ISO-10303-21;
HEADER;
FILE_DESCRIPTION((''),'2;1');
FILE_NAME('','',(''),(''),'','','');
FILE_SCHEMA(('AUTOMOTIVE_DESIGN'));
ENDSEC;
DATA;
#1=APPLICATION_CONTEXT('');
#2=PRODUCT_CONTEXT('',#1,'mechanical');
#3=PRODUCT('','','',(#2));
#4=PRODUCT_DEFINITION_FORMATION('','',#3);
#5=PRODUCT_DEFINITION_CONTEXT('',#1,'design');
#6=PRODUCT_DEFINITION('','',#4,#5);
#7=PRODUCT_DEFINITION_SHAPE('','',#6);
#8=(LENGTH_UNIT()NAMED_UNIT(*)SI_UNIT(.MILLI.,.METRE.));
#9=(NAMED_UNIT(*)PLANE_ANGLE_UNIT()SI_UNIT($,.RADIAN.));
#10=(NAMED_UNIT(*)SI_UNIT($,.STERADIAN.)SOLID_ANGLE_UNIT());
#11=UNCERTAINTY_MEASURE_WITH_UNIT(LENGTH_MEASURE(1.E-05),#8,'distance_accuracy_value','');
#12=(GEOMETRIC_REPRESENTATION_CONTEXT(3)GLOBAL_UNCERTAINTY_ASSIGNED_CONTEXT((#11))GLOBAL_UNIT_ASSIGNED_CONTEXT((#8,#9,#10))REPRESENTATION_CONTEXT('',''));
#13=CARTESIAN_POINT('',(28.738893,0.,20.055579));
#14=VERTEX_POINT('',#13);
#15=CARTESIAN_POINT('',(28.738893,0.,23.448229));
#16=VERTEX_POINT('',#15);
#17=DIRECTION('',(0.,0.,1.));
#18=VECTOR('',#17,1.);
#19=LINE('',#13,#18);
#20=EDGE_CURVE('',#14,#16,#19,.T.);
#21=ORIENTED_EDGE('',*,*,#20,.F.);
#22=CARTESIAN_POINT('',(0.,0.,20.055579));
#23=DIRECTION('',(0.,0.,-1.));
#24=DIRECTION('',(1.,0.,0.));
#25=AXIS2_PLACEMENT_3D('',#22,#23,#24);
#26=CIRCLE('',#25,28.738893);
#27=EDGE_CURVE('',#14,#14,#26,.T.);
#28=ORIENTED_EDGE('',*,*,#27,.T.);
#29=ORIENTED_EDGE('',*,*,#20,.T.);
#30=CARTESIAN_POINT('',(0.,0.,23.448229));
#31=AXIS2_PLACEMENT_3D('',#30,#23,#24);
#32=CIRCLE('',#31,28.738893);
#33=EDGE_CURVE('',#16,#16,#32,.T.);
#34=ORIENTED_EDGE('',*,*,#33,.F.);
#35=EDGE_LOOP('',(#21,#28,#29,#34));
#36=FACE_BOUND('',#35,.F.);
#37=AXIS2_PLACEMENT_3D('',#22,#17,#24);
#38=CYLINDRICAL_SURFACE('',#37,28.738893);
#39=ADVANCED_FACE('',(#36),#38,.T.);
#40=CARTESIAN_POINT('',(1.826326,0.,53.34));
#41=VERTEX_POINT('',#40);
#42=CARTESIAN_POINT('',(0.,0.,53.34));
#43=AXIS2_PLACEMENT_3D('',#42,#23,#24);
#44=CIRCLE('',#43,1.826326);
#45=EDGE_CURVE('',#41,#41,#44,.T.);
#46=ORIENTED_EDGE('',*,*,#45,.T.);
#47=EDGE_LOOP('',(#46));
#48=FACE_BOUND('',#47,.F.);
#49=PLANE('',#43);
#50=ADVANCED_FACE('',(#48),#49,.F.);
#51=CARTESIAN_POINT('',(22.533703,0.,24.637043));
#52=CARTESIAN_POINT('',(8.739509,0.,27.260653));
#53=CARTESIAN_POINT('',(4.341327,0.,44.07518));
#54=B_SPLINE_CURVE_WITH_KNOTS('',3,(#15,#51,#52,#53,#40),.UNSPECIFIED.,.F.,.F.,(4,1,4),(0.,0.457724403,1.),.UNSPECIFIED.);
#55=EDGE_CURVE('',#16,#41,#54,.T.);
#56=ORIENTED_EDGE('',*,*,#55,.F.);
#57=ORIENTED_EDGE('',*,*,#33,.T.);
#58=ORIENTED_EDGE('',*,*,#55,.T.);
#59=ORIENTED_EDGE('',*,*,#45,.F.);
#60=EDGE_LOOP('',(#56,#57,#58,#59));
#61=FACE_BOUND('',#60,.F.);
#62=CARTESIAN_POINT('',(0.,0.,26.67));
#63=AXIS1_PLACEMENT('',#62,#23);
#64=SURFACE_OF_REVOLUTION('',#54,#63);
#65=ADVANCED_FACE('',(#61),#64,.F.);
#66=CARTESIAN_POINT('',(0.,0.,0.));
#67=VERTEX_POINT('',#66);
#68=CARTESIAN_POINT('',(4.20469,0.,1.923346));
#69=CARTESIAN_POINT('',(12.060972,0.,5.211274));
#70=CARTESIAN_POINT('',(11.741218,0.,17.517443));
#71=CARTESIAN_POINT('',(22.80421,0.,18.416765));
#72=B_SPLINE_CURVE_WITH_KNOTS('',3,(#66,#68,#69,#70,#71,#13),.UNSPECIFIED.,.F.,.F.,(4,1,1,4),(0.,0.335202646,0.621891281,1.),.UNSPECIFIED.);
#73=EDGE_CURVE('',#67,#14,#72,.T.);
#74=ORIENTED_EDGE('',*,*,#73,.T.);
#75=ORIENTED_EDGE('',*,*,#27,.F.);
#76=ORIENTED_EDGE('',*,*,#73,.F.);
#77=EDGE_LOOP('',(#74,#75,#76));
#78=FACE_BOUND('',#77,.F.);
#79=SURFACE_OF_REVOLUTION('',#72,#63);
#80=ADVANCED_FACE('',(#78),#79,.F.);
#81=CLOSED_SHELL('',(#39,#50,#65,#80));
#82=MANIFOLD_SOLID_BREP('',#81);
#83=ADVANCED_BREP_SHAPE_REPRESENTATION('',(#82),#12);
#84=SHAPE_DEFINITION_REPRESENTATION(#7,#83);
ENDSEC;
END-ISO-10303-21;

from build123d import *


with BuildPart() as f1:
    # F0 (on Front) → F1 (revolve)
    with BuildSketch(Plane.XZ):
        with BuildLine():
            Line((0, 53.34), (0, 0))
            add(Edge.make_bspline(
                [(0, 0), (4.2046903237, 1.9233456933), (12.060972479, 5.2112739284), (11.7412179626, 17.5174426907), (22.8042102793, 18.4167650622), (28.7388929677, 20.0555792463)],
                knots=[0, 0, 0, 0, 0.3352026457, 0.621891281, 1, 1, 1, 1], degree=3))
            Line((28.7388929677, 20.0555792463), (28.7388929677, 23.4482290608))
            add(Edge.make_bspline(
                [(28.7388929677, 23.4482290608), (22.5337026078, 24.6370427265), (8.7395090674, 27.2606527526), (4.3413267784, 44.0751804174), (1.8263263861, 53.34)],
                knots=[0, 0, 0, 0, 0.4577244034, 1, 1, 1, 1], degree=3))
            Line((1.8263263861, 53.34), (0, 53.34))
        make_face()
    revolve(axis=Axis((0, 0, 26.67), (0, 0, -1)))


solid = f1.part
